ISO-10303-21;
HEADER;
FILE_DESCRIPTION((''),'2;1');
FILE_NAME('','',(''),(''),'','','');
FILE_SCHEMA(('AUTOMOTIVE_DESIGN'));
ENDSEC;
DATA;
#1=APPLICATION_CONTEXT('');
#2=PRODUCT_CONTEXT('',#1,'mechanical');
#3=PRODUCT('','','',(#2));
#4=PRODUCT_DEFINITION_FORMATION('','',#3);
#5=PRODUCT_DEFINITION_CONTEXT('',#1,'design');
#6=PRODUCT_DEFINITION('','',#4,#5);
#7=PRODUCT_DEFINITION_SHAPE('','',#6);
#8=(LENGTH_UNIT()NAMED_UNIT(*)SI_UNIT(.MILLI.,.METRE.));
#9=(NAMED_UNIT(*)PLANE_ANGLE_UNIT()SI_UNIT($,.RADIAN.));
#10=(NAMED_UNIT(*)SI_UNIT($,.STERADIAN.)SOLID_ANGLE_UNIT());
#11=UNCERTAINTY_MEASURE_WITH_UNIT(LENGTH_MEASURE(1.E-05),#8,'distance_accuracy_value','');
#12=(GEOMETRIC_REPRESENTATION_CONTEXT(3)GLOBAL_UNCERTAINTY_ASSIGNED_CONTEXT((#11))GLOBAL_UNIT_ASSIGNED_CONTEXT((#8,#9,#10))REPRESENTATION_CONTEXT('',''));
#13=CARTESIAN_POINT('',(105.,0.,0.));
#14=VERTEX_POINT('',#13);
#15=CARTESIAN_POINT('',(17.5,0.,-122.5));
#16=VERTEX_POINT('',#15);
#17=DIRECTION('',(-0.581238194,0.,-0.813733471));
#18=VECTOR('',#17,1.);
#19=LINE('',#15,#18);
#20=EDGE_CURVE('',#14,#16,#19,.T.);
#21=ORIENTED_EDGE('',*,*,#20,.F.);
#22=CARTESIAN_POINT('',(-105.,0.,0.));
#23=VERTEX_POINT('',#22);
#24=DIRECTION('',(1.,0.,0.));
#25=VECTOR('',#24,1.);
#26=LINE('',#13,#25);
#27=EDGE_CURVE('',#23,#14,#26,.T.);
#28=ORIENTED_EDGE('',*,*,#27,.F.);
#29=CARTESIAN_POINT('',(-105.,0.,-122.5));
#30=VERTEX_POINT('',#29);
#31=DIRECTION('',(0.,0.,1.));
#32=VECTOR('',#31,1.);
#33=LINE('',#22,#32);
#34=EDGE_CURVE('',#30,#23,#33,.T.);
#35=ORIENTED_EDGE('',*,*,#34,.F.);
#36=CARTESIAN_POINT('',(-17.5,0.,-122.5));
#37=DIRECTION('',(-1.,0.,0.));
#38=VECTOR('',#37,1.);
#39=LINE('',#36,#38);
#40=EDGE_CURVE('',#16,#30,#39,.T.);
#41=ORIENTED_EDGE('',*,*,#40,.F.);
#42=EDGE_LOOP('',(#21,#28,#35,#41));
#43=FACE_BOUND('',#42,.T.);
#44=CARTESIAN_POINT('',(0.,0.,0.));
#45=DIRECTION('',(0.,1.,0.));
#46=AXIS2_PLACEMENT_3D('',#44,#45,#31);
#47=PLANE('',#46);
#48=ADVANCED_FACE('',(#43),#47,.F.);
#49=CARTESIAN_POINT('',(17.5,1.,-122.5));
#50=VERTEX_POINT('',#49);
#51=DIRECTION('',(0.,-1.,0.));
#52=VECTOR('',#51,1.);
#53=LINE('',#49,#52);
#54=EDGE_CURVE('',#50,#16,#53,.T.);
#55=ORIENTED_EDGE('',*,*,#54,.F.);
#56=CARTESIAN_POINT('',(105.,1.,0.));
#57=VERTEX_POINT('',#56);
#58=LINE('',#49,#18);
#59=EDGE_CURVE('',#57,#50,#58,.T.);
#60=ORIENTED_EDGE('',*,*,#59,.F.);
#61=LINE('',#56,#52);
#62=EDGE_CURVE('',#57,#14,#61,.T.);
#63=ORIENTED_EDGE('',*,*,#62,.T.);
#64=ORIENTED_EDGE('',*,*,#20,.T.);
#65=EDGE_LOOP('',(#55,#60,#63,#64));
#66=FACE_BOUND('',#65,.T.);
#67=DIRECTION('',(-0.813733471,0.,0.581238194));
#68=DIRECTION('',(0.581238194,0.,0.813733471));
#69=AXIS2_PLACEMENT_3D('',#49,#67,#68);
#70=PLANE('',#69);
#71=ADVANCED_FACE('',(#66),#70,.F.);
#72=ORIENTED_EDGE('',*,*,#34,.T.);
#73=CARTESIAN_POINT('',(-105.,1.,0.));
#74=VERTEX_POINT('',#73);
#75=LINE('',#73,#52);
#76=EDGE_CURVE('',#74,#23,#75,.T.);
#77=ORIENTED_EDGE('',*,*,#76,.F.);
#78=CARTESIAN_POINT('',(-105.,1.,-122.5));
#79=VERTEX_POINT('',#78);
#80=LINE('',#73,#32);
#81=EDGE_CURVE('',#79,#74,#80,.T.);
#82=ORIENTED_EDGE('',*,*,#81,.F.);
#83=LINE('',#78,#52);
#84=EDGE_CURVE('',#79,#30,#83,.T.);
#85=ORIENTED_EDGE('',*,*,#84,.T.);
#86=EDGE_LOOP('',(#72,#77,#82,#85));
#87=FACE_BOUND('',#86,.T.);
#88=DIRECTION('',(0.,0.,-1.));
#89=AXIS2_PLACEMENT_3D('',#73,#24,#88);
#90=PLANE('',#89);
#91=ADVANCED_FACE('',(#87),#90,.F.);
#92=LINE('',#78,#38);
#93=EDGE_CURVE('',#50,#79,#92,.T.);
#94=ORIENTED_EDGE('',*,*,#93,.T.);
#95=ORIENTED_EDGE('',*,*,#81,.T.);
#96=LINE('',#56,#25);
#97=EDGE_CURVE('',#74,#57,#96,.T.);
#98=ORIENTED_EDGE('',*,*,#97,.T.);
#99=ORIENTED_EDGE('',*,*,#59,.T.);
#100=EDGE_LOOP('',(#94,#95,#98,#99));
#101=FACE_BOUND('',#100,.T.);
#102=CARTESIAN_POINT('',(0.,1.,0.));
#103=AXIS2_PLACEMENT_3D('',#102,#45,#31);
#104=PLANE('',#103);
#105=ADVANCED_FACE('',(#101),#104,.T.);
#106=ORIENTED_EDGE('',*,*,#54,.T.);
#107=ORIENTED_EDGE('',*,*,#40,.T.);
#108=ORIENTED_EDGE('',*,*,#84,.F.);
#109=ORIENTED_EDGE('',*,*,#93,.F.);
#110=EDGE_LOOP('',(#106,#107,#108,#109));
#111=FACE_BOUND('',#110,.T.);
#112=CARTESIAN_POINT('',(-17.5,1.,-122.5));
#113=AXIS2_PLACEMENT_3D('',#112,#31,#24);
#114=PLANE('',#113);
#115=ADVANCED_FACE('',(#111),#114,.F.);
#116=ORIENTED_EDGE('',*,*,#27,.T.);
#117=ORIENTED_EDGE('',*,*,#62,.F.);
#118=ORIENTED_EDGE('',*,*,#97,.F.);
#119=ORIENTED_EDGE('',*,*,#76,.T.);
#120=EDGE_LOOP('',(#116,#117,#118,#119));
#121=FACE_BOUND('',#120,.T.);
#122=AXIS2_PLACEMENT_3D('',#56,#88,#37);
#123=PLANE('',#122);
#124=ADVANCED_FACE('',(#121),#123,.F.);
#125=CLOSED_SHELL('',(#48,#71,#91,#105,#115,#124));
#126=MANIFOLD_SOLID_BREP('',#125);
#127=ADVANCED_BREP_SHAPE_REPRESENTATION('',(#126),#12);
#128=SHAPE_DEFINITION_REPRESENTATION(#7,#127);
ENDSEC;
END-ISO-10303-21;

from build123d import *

# Parameters (mm, degrees)
BOSS_EXTRUDE1_DEPTH = 1


with BuildPart() as part:
    # Sketch1 → Boss-Extrude1 (new body)
    with BuildSketch(Plane(origin=(0, 0, 0), x_dir=(1, 0, 0), z_dir=(0, 1, 0))):
        Polygon((-17.5, 122.5), (17.5, 122.5), (105, 0), (-105, 0), (-105, 122.5), align=None)
    extrude(amount=BOSS_EXTRUDE1_DEPTH)


solid = part.part
